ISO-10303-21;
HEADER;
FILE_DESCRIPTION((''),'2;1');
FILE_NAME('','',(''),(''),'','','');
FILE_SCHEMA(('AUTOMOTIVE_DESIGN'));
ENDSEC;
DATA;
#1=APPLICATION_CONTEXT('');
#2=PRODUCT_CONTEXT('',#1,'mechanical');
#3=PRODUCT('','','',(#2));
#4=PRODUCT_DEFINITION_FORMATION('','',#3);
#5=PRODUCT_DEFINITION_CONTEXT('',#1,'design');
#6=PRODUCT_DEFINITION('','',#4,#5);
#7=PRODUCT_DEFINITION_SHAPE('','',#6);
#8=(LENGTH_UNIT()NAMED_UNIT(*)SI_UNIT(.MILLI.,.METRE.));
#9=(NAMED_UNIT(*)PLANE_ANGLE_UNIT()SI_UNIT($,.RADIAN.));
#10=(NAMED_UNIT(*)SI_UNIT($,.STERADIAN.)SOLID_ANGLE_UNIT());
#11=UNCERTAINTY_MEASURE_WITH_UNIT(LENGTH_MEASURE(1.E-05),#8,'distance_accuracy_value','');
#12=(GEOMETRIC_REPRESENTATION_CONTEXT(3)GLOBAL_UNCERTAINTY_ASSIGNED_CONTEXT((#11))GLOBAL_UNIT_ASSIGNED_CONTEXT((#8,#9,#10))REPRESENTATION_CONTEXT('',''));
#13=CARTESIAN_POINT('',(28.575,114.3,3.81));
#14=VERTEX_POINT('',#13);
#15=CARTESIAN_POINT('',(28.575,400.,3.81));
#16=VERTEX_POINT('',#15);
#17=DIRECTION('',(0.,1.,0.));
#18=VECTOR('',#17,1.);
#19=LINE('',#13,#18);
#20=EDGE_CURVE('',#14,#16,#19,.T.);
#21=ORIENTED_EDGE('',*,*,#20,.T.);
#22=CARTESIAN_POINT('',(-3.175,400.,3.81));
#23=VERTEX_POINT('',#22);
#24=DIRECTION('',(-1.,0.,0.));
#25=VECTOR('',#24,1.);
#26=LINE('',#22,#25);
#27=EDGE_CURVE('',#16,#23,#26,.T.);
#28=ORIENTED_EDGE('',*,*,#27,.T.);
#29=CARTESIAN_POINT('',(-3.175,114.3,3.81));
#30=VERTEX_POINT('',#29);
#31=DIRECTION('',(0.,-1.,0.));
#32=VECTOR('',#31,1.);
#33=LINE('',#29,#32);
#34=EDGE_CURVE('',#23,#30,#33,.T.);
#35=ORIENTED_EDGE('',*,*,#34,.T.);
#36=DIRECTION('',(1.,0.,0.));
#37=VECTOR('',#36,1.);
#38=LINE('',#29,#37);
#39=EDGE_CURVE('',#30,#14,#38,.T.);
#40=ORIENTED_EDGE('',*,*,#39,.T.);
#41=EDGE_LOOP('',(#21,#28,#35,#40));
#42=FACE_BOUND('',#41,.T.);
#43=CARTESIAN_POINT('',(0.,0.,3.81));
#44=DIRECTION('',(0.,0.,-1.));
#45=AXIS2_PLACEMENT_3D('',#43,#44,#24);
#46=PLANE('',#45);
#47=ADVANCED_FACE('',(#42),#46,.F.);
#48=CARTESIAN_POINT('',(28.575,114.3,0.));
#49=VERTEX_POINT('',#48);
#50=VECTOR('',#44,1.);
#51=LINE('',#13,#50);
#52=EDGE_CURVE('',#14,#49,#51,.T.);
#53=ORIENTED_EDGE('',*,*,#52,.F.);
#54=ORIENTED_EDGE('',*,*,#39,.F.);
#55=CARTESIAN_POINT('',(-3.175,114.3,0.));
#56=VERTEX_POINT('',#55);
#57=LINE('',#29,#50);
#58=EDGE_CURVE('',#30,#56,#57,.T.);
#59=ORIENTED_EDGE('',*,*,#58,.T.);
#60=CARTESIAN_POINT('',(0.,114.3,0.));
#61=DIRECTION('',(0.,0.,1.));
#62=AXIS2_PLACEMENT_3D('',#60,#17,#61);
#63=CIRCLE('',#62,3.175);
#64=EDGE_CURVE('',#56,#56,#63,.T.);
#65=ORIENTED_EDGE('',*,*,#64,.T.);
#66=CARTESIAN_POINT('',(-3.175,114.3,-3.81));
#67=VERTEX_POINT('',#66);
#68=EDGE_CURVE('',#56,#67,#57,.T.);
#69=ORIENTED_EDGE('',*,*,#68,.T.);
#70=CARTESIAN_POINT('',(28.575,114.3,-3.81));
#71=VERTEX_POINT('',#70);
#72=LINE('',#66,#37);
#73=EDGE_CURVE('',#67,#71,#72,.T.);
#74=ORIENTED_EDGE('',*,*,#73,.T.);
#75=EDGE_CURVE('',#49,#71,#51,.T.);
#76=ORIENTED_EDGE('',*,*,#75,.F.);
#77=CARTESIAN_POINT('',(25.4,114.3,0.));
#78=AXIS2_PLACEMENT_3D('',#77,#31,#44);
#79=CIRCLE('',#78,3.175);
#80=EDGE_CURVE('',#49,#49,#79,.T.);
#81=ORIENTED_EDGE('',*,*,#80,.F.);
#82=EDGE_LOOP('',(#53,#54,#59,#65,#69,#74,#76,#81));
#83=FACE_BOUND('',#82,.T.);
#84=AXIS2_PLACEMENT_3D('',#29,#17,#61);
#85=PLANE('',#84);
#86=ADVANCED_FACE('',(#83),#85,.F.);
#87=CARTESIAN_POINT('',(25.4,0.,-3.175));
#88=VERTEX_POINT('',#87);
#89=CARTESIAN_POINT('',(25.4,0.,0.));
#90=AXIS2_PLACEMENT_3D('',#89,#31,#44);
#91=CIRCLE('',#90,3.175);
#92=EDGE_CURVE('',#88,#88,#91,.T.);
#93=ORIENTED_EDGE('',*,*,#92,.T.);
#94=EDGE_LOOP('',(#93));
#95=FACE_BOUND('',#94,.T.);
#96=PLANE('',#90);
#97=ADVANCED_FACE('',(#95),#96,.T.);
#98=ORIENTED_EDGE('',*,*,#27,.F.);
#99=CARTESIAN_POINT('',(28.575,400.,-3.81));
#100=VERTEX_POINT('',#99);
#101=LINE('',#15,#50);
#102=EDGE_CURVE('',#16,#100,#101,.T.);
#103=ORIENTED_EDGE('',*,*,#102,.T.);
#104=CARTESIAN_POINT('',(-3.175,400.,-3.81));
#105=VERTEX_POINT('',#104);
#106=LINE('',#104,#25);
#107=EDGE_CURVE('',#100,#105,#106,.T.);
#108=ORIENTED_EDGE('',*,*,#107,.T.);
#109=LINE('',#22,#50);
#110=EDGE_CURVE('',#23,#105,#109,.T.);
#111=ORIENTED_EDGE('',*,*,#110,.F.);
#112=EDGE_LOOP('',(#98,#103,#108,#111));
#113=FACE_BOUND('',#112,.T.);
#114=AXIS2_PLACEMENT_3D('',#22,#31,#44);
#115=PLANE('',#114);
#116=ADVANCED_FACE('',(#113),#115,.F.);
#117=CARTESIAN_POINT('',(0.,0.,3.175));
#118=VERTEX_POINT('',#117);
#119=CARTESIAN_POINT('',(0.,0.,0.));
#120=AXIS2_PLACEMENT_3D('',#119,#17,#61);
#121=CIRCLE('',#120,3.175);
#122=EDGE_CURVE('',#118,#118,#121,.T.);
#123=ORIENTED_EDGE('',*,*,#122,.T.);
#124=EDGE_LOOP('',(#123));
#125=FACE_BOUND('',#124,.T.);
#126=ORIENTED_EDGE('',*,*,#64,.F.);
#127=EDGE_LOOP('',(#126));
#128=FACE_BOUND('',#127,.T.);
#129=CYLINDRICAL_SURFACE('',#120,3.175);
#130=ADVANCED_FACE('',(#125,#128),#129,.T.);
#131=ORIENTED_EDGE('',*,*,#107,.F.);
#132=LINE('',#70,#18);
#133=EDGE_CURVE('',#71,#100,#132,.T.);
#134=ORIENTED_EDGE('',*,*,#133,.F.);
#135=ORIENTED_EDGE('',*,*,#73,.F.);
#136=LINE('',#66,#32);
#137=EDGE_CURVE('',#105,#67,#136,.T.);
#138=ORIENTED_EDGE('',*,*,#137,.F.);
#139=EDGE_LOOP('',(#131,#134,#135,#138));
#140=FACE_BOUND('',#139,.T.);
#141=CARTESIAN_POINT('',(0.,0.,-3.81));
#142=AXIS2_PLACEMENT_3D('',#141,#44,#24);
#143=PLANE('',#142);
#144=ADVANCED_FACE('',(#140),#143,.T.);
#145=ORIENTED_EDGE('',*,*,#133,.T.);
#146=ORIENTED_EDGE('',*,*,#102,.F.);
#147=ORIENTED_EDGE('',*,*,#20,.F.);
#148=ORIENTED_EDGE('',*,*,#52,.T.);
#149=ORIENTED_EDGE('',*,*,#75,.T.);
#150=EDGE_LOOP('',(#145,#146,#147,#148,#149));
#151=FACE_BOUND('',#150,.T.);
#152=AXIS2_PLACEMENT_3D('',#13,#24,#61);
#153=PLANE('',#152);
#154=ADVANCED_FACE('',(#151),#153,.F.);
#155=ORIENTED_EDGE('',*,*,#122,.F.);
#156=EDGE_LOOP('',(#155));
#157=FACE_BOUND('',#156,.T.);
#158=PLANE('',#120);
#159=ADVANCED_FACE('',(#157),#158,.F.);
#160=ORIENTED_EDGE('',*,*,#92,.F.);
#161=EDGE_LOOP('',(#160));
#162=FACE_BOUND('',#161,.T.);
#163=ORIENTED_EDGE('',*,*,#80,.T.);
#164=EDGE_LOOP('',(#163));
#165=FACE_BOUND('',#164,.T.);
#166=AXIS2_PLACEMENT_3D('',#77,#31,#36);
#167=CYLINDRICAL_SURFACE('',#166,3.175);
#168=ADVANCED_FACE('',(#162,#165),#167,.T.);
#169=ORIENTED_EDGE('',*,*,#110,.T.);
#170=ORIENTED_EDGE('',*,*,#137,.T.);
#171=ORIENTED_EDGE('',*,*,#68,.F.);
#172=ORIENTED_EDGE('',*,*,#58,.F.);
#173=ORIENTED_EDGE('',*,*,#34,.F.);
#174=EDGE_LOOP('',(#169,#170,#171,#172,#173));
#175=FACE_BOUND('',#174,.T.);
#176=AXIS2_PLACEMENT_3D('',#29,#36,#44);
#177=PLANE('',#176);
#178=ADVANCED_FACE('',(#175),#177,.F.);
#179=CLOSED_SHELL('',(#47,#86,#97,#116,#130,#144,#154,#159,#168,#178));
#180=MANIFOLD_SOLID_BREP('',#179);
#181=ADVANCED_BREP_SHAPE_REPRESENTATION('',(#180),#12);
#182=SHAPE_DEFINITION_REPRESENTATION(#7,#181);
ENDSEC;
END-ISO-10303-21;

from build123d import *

# Parameters (mm, degrees)
SWEEP1_PROFILE_R    = 3.175
SWEEP2_PROFILE_R    = 3.175
SKETCH42_W          = 31.75
SKETCH42_H          = 285.7
BOSS_EXTRUDE1_DEPTH = 3.81


with BuildPart() as part:
    # Sweep1: sweep along a path in Sketch1
    with BuildLine(Plane.XY) as sweep1_path:
        Line((0, 0), (0, 114.3))
    # Sweep1 profile (on start of the path) → Sweep1 (sweep)
    with BuildSketch(Plane.ZX):
        Circle(SWEEP1_PROFILE_R)
    sweep(path=sweep1_path.line)



with BuildPart() as body_2:
    # Sweep2: sweep along a path in Sketch1<3>
    with BuildLine(Plane.XY) as sweep2_path:
        Line((25.4, 114.3), (25.4, 0))
    # Sweep2 profile (on start of the path) → Sweep2 (sweep)
    with BuildSketch(Plane(origin=(25.4, 114.3, 0), x_dir=(-1, 0, 0), z_dir=(0, -1, 0))):
        Circle(SWEEP2_PROFILE_R)
    sweep(path=sweep2_path.line)


with BuildPart() as part_1:
    add(part.part)

    add(body_2.part)  # Boss-Extrude1 merges body 2
    # Sketch42 → Boss-Extrude1 (add, symmetric)
    with BuildSketch(Plane.XY):
        with Locations((12.7, 257.15)):
            Rectangle(SKETCH42_W, SKETCH42_H)
    extrude(amount=BOSS_EXTRUDE1_DEPTH, both=True)


solid = part_1.part
